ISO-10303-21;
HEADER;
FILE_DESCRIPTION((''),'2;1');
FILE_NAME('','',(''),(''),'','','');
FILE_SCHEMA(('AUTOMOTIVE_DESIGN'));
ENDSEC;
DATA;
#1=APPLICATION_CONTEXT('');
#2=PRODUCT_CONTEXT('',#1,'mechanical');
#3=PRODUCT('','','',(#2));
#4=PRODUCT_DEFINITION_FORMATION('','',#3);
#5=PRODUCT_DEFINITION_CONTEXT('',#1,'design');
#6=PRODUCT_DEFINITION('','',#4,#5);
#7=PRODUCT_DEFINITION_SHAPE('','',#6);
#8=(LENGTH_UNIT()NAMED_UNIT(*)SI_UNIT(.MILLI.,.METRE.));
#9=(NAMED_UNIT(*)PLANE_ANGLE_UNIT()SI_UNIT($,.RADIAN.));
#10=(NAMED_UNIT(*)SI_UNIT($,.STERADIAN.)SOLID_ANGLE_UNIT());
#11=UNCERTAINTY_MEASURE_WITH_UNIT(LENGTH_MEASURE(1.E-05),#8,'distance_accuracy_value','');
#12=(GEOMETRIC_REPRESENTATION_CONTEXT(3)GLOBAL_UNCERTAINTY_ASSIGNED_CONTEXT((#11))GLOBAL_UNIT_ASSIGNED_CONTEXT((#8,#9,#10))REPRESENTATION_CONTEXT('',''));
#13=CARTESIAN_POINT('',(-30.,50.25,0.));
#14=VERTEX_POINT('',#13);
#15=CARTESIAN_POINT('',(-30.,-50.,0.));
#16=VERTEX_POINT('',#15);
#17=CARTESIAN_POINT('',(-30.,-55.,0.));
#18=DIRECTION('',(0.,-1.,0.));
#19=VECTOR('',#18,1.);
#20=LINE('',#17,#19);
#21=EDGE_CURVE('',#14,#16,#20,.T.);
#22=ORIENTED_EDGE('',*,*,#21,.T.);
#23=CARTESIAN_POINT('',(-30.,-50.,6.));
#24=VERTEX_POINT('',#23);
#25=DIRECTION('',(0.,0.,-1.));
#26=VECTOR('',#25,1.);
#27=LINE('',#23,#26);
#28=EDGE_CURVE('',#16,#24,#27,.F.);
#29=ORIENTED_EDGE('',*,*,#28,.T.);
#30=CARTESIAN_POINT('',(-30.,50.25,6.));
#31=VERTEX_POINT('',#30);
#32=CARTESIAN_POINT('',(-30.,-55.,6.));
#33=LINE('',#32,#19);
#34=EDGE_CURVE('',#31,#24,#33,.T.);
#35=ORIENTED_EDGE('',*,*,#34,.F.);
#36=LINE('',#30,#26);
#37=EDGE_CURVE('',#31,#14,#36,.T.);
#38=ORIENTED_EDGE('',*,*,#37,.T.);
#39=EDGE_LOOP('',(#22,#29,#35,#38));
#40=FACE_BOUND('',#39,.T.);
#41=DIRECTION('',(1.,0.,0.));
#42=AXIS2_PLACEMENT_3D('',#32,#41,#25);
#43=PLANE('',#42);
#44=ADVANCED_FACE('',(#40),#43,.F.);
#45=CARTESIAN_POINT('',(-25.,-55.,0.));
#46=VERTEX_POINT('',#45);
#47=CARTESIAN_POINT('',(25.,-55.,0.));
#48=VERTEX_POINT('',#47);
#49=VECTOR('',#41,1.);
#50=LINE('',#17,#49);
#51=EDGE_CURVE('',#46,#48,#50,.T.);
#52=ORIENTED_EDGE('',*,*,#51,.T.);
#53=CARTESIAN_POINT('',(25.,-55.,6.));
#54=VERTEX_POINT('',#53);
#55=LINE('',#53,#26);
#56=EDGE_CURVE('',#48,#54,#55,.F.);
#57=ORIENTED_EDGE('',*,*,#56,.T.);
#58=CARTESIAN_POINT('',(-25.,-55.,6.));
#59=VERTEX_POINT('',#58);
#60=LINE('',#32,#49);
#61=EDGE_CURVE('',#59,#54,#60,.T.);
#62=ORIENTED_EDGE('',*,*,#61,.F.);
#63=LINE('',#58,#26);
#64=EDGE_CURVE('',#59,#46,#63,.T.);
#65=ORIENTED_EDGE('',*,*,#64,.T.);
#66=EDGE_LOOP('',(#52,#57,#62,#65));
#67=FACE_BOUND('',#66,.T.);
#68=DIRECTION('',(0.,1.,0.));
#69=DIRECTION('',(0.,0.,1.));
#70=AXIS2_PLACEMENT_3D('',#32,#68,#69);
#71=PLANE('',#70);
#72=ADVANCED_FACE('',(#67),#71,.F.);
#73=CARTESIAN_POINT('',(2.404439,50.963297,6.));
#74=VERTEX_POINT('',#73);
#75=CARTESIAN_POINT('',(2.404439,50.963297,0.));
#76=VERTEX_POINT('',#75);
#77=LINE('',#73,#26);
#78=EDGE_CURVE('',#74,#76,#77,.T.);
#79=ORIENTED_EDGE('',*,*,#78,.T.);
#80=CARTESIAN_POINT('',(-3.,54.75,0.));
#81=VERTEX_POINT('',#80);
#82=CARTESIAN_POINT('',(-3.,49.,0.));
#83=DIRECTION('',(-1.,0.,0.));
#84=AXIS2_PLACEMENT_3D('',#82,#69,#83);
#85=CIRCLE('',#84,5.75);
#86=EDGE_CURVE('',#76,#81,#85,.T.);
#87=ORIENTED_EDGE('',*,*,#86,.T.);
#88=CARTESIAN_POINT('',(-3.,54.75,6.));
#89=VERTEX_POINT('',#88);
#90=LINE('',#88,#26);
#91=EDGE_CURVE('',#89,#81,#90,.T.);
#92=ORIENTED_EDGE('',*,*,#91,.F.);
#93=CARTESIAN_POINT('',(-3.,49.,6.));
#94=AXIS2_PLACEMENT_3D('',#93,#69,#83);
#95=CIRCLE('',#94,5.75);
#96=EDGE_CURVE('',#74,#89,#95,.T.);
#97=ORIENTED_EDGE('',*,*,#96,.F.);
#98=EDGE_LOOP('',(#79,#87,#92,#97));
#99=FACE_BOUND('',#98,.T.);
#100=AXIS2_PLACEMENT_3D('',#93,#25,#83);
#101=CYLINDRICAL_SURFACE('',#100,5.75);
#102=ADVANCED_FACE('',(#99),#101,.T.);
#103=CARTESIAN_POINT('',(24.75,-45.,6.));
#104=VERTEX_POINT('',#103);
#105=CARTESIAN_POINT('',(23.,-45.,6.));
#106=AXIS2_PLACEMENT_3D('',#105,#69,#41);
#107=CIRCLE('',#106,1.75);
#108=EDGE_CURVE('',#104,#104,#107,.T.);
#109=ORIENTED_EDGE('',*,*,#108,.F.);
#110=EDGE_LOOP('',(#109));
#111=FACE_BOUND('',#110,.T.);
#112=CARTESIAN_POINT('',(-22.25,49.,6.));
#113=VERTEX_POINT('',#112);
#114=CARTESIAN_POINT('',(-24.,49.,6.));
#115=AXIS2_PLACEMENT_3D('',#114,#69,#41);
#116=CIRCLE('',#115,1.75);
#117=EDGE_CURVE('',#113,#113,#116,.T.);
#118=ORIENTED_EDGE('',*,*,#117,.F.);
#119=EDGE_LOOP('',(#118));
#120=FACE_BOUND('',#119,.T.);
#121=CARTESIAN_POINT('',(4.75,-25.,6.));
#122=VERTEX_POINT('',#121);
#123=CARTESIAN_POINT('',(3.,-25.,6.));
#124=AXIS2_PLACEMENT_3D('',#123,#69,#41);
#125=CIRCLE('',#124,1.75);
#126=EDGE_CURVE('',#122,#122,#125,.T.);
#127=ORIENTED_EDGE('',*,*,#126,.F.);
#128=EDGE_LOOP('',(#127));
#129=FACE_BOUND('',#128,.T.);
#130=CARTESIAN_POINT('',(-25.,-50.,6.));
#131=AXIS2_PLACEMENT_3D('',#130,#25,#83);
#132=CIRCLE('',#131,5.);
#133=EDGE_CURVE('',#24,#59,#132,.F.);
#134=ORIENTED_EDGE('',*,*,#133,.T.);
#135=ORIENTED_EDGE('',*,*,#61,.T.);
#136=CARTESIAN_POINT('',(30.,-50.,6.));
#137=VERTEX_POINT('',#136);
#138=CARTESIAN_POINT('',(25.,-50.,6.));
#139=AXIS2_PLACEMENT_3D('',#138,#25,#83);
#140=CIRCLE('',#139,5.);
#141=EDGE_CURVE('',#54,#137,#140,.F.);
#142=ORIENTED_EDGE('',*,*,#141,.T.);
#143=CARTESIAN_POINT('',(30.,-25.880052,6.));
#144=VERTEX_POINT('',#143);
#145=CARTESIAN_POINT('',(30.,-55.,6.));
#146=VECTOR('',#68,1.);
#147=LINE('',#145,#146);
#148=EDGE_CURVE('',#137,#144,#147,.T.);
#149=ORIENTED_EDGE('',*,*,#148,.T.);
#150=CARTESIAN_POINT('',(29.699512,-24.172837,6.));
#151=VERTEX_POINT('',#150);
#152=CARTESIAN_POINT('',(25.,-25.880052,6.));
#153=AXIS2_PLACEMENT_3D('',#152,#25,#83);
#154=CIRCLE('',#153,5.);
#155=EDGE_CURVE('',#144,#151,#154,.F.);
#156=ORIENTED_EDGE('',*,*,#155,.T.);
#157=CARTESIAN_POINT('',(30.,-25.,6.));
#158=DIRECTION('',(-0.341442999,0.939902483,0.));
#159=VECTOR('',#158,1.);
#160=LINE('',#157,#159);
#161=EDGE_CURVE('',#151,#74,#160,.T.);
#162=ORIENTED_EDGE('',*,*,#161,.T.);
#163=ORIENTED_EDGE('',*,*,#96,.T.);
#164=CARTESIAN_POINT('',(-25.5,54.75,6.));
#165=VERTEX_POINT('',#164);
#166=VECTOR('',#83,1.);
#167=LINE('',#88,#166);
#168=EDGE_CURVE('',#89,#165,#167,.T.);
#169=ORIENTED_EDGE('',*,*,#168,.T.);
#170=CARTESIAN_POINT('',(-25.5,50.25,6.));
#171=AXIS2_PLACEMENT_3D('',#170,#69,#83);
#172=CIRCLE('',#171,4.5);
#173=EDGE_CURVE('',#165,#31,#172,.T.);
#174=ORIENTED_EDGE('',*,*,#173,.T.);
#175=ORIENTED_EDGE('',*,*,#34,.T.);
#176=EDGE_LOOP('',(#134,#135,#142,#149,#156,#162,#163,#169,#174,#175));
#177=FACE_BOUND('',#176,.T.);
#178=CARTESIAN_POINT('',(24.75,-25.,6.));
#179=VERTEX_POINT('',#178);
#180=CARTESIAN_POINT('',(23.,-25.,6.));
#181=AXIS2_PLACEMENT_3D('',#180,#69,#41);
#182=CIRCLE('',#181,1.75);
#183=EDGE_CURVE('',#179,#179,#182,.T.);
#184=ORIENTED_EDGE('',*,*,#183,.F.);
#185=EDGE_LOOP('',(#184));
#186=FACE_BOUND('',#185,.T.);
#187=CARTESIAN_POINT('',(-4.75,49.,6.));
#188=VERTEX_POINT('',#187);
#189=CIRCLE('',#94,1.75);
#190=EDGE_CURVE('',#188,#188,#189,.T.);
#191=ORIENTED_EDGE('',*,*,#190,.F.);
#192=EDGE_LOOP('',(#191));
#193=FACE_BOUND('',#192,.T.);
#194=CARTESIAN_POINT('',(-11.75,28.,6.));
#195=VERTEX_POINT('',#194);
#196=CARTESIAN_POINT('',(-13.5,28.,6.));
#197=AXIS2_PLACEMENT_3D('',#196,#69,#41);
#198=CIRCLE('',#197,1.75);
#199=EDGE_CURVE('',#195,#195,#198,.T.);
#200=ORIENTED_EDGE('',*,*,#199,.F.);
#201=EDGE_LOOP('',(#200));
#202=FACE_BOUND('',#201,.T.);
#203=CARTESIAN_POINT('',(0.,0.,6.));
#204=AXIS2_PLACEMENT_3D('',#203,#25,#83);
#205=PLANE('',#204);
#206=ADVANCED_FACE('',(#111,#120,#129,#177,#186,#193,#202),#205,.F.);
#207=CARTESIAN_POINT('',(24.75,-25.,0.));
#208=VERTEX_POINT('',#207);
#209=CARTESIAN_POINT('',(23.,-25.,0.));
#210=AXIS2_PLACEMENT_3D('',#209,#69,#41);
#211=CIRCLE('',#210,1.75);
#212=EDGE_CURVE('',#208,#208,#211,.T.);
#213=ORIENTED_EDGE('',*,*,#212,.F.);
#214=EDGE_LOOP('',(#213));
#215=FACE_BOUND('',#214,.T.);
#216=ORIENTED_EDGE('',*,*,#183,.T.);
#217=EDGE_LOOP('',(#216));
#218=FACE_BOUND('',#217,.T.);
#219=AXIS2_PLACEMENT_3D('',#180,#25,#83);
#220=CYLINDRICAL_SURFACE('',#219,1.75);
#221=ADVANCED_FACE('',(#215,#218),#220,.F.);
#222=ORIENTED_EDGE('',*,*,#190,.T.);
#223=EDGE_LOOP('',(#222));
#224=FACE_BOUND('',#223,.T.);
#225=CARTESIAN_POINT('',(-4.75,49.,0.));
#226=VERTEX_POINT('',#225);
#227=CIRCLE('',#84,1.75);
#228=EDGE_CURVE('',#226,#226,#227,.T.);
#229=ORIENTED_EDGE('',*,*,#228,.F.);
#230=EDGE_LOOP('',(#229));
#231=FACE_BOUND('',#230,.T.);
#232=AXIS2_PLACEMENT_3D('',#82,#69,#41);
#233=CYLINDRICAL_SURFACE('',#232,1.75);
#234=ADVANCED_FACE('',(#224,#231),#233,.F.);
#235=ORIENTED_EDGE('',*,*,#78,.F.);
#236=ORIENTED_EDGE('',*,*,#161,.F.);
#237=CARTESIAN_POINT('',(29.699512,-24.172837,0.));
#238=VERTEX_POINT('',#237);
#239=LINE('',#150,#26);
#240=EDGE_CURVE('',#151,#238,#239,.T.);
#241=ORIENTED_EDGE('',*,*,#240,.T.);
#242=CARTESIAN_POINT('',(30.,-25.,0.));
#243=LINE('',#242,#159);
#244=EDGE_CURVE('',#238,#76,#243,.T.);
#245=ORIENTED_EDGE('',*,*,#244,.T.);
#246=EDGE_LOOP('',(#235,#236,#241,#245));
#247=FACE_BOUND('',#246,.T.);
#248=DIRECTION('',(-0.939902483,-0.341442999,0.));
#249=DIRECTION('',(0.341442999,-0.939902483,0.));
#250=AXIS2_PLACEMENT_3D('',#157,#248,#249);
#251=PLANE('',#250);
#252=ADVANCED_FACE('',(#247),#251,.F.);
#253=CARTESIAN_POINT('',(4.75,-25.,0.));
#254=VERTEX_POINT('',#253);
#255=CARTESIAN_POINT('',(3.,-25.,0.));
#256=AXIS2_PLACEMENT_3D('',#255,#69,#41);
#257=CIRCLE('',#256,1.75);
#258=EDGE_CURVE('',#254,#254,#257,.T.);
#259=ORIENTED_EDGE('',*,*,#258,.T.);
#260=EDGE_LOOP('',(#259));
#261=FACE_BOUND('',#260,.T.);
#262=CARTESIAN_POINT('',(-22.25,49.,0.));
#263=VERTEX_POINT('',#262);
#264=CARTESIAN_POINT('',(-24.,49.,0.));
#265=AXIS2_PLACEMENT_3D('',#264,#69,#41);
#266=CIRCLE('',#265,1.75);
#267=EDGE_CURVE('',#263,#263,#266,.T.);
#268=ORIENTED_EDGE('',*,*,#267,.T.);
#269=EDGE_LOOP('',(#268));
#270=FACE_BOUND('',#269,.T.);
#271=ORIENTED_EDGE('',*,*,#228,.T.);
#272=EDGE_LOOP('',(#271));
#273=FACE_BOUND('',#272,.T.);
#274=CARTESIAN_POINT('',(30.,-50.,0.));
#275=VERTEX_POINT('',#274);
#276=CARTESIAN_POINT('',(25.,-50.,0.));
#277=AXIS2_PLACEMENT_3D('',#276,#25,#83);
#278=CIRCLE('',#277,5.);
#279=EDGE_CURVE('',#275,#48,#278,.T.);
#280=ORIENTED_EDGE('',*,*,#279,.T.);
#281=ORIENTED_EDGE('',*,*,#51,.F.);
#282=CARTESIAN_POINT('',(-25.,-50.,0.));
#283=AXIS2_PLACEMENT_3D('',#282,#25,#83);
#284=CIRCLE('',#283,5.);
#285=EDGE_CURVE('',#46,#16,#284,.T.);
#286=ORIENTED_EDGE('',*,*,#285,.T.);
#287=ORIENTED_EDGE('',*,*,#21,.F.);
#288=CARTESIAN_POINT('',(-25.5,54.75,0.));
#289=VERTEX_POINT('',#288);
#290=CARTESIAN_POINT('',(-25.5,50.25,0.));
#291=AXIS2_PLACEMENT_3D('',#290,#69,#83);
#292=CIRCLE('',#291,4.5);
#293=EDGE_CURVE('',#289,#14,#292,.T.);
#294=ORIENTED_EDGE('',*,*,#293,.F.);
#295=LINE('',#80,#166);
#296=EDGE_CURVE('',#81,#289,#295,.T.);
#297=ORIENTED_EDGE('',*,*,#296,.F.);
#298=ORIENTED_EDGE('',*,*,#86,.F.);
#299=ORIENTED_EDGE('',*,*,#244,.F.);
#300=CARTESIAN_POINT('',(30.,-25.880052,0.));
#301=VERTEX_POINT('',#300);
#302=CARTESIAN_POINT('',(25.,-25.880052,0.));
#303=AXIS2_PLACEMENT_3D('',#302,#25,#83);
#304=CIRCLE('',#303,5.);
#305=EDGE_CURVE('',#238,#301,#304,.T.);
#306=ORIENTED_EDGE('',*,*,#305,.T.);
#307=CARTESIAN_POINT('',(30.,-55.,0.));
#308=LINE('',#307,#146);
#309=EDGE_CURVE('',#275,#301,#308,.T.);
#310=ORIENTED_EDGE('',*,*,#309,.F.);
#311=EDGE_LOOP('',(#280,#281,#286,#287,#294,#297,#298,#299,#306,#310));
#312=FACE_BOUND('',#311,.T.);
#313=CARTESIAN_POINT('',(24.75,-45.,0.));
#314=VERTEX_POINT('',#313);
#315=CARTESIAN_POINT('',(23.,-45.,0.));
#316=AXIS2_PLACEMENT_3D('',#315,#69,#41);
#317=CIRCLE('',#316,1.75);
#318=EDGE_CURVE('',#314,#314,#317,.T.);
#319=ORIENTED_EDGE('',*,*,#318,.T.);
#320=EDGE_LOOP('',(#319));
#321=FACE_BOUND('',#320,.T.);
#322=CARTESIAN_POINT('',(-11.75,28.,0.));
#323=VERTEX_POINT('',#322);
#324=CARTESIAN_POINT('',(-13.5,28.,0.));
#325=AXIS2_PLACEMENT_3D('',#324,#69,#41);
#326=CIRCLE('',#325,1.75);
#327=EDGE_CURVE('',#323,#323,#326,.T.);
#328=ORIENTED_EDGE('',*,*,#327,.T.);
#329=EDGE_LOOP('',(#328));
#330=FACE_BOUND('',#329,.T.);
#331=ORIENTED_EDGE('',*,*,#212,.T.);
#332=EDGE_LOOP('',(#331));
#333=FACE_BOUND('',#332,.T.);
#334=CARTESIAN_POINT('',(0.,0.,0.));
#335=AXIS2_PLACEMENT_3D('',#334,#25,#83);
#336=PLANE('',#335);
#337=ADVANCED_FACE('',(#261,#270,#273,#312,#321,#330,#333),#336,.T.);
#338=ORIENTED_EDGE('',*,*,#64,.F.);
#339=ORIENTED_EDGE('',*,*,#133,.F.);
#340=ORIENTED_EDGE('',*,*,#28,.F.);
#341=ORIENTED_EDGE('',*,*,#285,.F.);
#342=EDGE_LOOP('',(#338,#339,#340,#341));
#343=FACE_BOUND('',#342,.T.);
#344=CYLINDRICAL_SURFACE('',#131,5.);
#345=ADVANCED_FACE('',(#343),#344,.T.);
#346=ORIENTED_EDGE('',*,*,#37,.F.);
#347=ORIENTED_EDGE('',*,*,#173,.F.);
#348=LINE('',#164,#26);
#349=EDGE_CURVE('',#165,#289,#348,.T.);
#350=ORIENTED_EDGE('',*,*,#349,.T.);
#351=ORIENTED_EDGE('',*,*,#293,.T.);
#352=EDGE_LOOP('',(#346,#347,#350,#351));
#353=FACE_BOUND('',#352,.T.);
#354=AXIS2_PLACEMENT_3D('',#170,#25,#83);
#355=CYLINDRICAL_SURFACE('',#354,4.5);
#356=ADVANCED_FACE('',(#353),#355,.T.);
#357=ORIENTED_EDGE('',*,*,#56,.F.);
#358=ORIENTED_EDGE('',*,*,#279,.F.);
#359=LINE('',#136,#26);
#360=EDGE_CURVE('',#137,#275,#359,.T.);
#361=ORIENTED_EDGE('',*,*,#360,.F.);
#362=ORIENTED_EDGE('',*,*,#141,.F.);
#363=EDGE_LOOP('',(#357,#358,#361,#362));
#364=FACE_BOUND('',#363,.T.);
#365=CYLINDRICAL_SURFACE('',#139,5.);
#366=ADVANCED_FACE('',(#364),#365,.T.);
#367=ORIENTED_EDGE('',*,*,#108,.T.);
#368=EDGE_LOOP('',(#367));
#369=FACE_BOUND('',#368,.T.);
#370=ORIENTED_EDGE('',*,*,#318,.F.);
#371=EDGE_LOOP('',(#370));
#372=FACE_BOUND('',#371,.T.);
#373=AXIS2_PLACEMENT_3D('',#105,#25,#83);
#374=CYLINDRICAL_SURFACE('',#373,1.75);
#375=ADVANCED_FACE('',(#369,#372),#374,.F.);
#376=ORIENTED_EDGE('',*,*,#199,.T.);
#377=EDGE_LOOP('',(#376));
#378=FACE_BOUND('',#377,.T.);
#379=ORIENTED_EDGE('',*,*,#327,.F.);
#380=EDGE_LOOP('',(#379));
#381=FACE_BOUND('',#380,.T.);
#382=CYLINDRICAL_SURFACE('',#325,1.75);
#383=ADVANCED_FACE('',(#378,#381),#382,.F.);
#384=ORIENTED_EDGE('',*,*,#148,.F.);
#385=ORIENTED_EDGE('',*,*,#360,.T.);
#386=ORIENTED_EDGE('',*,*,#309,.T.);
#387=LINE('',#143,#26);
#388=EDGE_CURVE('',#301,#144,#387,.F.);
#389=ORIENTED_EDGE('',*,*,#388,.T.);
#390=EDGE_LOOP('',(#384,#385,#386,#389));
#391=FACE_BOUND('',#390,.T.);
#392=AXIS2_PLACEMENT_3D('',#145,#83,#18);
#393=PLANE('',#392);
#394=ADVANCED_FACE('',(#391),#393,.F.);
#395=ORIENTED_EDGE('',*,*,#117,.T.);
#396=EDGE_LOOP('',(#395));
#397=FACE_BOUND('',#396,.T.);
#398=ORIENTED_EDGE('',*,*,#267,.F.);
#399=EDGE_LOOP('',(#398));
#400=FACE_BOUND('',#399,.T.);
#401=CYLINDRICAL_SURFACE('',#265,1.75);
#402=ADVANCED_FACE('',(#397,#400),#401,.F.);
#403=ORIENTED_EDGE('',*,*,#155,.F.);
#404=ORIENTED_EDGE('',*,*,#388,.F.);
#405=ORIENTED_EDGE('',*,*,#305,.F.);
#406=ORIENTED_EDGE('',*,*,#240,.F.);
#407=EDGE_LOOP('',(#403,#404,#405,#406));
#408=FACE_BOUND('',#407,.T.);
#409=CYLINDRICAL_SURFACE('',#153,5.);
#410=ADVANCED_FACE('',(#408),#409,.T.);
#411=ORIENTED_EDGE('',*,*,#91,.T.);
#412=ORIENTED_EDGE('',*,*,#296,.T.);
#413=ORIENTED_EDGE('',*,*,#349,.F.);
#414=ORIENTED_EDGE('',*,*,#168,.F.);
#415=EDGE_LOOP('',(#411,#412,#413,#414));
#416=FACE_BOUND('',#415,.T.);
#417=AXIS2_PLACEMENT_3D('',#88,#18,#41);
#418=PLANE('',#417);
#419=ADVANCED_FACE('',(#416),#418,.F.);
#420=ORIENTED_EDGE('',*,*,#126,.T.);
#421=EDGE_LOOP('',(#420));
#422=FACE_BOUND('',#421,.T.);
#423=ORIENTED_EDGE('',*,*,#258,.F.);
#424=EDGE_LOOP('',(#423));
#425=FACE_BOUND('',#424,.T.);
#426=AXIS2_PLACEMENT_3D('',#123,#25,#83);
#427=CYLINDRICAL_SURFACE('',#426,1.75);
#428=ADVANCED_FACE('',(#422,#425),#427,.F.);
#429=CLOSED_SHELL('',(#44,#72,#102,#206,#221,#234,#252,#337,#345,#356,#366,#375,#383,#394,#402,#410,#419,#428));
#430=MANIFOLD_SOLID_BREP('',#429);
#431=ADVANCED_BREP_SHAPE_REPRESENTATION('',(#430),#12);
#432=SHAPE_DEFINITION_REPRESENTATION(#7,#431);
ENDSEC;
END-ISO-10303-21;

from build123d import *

# Parameters (mm, degrees)
ESBO_O1_W                = 60
ESBO_O1_H                = 110
ESBO_O1_R                = 1.75
RESSALTO_EXTRUS_O1_DEPTH = 6
ESBO_O2_R                = 1.75
CORTE_EXTRUS_O1_DEPTH    = 63.93647591
CORTE_EXTRUS_O3_DEPTH    = 63.93647591
FILETE1_R                = 5


with BuildPart() as part:
    # Esboço1 → Ressalto-extrusão1 (new body)
    with BuildSketch(Plane.XY):
        Rectangle(ESBO_O1_W, ESBO_O1_H)
        with Locations((23, -45)):
            Circle(ESBO_O1_R, mode=Mode.SUBTRACT)
        with Locations((23, -25)):
            Circle(ESBO_O1_R, mode=Mode.SUBTRACT)
        with Locations((3, -25)):
            Circle(ESBO_O1_R, mode=Mode.SUBTRACT)
    extrude(amount=RESSALTO_EXTRUS_O1_DEPTH)

    # Esboço2 → Corte-extrusão1 (cut, through all)
    with BuildSketch(Plane.XY.offset(6)):
        with Locations((-24, 49)):
            Circle(ESBO_O2_R)
        with Locations(Location((-3, 49, 0), (0, 0, 180))):
            Circle(ESBO_O2_R)
        with Locations((-13.5, 28)):
            Circle(ESBO_O2_R)
    extrude(amount=-CORTE_EXTRUS_O1_DEPTH, mode=Mode.SUBTRACT)

    # Esboço4 → Corte-extrusão3 (cut, through all)
    with BuildSketch(Plane(origin=(0, 0, 0), x_dir=(-1, 0, 0), z_dir=(0, 0, -1))):
        with BuildLine():
            Line((3, 54.75), (25.5, 54.75))
            ThreePointArc((25.5, 54.75), (28.681980515, 53.431980515), (30, 50.25))
            Line((30, 50.25), (30, 18.54785582))
            Line((30, 18.54785582), (51.213466558, 18.54785582))
            Line((51.213466558, 18.54785582), (51.213466558, 63.658711058))
            Line((51.213466558, 63.658711058), (-45.570141277, 63.658711058))
            Line((-45.570141277, 63.658711058), (-45.570141277, -25))
            Line((-45.570141277, -25), (-30, -25))
            Line((-30, -25), (-2.404439279, 50.963297246))
            ThreePointArc((-2.404439279, 50.963297246), (-0.299510633, 53.709111337), (3, 54.75))
        make_face()
    extrude(amount=-CORTE_EXTRUS_O3_DEPTH, mode=Mode.SUBTRACT)

    # Filete1
    filete1_edges = [part.edges().sort_by_distance(p)[0] for p in [
        (30, -25, 3),
        (30, -55, 3),
        (-30, -55, 3),
    ]]
    fillet(filete1_edges, radius=FILETE1_R)


solid = part.part
